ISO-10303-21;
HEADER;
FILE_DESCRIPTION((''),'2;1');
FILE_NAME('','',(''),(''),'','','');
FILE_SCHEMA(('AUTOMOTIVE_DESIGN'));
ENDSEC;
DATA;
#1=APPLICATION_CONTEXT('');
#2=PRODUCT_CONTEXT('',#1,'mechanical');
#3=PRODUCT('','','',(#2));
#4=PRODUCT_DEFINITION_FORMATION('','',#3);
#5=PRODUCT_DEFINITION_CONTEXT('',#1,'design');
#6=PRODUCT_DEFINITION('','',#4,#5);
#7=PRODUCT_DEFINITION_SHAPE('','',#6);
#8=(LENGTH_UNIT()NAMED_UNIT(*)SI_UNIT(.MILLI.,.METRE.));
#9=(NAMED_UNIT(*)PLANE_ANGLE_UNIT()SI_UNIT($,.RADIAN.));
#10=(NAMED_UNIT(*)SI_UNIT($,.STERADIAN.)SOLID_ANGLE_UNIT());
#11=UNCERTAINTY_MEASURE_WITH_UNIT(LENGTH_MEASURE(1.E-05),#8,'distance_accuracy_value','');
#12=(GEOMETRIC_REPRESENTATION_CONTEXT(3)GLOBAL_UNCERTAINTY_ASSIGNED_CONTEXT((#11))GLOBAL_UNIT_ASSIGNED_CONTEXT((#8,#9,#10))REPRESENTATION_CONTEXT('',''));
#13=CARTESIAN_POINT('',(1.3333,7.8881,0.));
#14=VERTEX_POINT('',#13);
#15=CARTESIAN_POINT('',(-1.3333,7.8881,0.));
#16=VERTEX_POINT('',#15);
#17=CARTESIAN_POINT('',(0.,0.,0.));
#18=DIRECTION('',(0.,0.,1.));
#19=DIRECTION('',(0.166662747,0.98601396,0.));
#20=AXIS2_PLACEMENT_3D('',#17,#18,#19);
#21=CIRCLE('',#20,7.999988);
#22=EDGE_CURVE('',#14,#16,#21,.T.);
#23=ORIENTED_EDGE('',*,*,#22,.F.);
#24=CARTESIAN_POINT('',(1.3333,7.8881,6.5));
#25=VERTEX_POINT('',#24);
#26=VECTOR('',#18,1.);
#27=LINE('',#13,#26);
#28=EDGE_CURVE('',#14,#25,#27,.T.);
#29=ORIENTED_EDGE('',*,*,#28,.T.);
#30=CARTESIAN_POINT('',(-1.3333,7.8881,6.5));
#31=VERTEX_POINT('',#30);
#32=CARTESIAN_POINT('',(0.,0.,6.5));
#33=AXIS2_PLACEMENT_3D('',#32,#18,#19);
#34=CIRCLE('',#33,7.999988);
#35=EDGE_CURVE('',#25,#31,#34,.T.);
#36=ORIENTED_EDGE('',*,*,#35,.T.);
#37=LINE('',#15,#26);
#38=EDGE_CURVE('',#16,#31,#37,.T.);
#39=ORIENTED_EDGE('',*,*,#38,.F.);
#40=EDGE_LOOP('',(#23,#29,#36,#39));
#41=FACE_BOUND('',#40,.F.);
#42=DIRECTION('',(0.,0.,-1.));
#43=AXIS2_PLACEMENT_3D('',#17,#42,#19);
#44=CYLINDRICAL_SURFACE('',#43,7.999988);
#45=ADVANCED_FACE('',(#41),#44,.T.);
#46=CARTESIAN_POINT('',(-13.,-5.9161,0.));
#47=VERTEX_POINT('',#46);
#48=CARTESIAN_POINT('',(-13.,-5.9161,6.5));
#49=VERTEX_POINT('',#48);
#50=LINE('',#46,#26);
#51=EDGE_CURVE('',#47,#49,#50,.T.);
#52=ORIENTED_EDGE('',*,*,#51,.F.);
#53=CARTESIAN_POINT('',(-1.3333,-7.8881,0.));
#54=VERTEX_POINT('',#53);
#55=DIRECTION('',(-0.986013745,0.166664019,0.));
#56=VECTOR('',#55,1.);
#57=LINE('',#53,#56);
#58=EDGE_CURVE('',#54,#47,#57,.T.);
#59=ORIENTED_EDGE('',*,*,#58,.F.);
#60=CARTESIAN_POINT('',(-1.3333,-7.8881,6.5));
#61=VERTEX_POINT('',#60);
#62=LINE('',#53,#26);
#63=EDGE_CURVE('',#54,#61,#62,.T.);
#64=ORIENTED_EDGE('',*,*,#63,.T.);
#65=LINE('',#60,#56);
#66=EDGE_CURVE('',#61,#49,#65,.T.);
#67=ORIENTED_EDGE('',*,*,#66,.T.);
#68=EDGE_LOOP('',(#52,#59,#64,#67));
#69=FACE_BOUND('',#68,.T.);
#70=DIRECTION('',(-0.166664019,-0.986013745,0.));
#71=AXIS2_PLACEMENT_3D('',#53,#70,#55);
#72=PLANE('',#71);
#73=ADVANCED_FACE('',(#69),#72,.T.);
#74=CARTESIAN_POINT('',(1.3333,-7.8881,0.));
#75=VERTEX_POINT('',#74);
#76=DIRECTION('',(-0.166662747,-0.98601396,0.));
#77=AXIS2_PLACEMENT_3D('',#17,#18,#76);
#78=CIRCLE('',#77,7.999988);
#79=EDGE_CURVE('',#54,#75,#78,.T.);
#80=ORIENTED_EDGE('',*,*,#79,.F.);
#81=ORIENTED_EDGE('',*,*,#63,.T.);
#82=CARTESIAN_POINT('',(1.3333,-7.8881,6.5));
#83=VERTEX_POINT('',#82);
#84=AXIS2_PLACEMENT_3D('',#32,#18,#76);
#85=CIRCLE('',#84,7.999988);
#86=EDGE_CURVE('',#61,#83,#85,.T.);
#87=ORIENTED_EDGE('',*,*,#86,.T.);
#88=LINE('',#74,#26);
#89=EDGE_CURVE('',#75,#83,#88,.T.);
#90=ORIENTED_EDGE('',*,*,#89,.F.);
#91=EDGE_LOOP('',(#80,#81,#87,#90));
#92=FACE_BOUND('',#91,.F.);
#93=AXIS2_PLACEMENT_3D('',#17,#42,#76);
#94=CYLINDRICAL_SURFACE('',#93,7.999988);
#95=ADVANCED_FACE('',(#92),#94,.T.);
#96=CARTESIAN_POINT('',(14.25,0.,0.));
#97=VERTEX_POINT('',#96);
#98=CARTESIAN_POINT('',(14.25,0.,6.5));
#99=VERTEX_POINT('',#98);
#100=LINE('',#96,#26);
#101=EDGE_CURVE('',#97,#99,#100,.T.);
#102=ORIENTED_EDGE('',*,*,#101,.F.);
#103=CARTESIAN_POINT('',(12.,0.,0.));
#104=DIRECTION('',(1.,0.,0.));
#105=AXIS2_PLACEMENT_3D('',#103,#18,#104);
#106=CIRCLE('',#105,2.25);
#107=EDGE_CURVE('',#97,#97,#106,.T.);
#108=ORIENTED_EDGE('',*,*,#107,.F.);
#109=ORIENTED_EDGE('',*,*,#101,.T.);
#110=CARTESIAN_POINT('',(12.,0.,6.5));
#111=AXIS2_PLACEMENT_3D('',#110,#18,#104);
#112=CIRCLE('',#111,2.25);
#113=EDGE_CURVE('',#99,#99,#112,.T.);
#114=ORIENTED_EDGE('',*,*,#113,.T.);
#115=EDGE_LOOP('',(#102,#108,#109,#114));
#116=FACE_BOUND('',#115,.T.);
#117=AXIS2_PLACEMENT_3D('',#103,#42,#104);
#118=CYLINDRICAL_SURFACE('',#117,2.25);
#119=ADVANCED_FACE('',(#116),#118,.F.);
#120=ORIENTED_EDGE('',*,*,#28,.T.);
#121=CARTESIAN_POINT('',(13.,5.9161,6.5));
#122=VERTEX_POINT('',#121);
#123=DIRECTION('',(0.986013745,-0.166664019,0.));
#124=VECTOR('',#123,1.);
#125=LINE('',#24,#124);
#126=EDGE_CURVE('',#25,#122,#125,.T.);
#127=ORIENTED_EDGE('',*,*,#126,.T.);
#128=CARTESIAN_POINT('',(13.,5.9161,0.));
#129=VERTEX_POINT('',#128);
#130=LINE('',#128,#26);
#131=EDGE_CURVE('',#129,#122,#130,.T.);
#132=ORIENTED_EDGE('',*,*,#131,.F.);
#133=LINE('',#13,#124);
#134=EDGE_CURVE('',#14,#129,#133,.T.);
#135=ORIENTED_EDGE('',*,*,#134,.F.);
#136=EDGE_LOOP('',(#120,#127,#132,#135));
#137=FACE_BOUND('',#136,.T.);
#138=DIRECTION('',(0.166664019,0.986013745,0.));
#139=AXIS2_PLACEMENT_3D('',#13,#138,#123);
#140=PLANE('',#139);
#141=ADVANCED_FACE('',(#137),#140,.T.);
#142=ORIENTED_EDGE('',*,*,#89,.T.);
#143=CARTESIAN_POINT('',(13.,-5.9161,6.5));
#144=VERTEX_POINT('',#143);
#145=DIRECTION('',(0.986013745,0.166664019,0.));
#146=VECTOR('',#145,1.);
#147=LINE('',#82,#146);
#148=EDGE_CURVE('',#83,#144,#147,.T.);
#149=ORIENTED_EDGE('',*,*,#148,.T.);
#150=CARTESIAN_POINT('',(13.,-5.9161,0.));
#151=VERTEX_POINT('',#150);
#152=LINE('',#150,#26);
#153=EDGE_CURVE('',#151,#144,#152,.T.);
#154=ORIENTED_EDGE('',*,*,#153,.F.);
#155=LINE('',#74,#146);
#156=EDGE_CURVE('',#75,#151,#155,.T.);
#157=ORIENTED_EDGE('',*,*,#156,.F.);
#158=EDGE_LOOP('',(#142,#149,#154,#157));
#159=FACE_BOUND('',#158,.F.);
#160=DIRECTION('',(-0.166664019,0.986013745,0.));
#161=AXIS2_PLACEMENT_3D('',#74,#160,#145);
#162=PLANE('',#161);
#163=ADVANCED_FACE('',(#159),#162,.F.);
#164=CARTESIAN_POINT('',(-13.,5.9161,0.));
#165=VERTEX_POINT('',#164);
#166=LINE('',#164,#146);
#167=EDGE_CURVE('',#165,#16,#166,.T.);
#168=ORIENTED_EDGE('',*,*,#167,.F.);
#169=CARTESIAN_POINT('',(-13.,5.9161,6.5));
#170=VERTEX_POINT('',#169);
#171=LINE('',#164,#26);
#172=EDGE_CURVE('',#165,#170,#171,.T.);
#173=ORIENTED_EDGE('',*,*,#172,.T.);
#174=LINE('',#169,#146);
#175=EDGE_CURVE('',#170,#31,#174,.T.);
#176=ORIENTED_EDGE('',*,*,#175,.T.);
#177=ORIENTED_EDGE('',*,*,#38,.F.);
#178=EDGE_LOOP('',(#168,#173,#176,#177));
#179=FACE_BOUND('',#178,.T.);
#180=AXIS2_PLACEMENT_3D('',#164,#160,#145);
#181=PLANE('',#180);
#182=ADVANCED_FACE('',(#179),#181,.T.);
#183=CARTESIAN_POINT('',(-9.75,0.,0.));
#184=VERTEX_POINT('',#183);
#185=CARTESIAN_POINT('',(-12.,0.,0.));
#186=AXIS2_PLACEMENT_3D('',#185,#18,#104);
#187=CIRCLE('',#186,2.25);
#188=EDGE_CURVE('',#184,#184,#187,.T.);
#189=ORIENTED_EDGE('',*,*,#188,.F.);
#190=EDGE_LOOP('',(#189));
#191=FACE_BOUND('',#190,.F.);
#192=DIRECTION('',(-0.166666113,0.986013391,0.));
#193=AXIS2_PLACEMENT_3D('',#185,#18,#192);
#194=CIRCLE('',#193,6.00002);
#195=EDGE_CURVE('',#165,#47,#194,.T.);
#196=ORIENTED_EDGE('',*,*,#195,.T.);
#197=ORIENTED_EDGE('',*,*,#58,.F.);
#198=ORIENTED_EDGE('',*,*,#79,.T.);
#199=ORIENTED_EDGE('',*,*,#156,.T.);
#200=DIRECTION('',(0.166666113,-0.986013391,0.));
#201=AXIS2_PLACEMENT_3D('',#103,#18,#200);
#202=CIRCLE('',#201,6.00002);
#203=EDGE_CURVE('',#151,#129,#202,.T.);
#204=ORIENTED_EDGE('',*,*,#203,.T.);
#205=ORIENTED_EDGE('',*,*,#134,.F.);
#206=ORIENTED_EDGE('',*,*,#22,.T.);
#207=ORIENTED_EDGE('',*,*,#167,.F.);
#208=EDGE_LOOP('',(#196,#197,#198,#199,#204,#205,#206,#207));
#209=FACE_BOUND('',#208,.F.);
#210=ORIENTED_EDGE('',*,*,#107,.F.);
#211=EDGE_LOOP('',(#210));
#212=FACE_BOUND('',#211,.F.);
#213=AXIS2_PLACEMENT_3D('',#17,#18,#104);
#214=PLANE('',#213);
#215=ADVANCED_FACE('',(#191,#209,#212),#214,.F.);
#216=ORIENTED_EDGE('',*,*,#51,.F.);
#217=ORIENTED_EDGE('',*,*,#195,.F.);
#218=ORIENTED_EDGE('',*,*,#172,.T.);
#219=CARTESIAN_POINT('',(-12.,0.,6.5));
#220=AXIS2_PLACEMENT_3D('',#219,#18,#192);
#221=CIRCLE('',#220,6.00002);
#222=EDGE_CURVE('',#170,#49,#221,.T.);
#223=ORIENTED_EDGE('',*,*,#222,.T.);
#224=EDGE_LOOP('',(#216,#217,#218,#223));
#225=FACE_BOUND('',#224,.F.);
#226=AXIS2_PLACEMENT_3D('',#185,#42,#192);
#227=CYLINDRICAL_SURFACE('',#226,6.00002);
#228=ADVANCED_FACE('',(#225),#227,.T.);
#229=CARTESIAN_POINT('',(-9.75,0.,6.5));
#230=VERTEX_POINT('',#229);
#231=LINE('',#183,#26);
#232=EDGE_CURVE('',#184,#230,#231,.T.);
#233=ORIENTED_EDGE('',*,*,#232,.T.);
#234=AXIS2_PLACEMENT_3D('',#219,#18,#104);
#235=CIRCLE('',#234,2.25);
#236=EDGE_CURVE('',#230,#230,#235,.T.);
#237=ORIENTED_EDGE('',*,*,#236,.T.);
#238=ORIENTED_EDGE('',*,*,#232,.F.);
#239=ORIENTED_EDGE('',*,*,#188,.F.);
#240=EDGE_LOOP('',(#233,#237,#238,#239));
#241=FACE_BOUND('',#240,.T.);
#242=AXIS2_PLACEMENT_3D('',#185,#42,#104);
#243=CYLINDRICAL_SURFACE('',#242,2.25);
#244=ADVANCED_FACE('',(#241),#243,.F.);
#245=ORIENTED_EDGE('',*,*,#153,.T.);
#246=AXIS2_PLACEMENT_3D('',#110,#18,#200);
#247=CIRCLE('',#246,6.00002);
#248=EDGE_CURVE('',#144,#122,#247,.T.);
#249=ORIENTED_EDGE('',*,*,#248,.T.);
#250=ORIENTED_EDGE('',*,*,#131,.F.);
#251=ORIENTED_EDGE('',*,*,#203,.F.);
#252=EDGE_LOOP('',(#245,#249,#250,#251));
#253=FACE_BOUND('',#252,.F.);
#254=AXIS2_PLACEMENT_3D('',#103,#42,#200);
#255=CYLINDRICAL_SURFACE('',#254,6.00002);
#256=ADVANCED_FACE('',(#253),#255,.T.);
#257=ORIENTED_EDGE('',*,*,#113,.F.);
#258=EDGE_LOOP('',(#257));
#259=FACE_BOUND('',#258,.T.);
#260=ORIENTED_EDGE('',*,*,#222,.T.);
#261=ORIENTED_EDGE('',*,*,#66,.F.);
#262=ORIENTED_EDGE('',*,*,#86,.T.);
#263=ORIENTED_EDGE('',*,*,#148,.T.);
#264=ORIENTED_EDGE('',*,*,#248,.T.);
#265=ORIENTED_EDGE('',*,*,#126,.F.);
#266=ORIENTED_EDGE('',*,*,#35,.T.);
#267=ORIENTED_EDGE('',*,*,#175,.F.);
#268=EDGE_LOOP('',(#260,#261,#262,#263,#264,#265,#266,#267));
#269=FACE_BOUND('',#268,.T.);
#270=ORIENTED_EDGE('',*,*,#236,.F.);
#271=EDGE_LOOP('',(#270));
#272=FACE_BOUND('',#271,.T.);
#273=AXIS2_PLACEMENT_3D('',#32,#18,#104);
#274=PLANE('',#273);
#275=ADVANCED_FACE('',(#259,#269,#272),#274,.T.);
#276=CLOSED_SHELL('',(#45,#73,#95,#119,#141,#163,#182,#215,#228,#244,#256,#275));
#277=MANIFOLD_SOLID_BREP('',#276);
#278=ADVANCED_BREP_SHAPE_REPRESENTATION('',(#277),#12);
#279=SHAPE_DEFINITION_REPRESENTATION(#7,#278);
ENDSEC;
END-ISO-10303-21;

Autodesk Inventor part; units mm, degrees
ref_plane "YZ Plane" through (0, 0, 0) normal (1, 0, 0) x (0, 1, 0)
ref_plane "XZ Plane" through (0, 0, 0) normal (0, 1, 0) x (-1, 0, 0)
ref_plane "XY Plane" through (0, 0, 0) normal (0, 0, 1) x (1, 0, 0)
sketch "Sketch1" plane through (0, 0, 0) normal (0, 0, 1) x (1, 0, 0)
  circle A0 centre (0, 0) radius 4 construction
  circle A1 centre (-12, 0) radius 2.25
  circle A2 centre (12, 0) radius 2.25
  line L0 (-12, 0) -> (0, 0) construction
  line L1 (12, 0) -> (0, 0) construction
  arc A3 (-13, 5.9161) -> (-13, -5.9161) centre (-12, 0) ccw
  arc A4 (13, -5.9161) -> (13, 5.9161) centre (12, 0) ccw
  line L2 (-13, 5.9161) -> (-1.3333, 7.8881)
  line L3 (1.3333, 7.8881) -> (13, 5.9161)
  line L4 (1.3333, -7.8881) -> (13, -5.9161)
  line L5 (-1.3333, -7.8881) -> (-13, -5.9161)
  arc A5 (1.3333, 7.8881) -> (-1.3333, 7.8881) centre (0, 0) ccw
  arc A6 (-1.3333, -7.8881) -> (1.3333, -7.8881) centre (0, 0) ccw
  circle A7 centre (-12, 0) radius 4.5 construction
  dimension "d0" = 8
  dimension "d2" = 4.5
  dimension "d3" = 8
  dimension "d4" = 12
  dimension "d5" = 9
  dimension "d6" = 6
extrude "Extrusion1" add sketch "Sketch1" along normal blind 6.5
properties part number "y_axis_cap" material "Plywood, Finish"
